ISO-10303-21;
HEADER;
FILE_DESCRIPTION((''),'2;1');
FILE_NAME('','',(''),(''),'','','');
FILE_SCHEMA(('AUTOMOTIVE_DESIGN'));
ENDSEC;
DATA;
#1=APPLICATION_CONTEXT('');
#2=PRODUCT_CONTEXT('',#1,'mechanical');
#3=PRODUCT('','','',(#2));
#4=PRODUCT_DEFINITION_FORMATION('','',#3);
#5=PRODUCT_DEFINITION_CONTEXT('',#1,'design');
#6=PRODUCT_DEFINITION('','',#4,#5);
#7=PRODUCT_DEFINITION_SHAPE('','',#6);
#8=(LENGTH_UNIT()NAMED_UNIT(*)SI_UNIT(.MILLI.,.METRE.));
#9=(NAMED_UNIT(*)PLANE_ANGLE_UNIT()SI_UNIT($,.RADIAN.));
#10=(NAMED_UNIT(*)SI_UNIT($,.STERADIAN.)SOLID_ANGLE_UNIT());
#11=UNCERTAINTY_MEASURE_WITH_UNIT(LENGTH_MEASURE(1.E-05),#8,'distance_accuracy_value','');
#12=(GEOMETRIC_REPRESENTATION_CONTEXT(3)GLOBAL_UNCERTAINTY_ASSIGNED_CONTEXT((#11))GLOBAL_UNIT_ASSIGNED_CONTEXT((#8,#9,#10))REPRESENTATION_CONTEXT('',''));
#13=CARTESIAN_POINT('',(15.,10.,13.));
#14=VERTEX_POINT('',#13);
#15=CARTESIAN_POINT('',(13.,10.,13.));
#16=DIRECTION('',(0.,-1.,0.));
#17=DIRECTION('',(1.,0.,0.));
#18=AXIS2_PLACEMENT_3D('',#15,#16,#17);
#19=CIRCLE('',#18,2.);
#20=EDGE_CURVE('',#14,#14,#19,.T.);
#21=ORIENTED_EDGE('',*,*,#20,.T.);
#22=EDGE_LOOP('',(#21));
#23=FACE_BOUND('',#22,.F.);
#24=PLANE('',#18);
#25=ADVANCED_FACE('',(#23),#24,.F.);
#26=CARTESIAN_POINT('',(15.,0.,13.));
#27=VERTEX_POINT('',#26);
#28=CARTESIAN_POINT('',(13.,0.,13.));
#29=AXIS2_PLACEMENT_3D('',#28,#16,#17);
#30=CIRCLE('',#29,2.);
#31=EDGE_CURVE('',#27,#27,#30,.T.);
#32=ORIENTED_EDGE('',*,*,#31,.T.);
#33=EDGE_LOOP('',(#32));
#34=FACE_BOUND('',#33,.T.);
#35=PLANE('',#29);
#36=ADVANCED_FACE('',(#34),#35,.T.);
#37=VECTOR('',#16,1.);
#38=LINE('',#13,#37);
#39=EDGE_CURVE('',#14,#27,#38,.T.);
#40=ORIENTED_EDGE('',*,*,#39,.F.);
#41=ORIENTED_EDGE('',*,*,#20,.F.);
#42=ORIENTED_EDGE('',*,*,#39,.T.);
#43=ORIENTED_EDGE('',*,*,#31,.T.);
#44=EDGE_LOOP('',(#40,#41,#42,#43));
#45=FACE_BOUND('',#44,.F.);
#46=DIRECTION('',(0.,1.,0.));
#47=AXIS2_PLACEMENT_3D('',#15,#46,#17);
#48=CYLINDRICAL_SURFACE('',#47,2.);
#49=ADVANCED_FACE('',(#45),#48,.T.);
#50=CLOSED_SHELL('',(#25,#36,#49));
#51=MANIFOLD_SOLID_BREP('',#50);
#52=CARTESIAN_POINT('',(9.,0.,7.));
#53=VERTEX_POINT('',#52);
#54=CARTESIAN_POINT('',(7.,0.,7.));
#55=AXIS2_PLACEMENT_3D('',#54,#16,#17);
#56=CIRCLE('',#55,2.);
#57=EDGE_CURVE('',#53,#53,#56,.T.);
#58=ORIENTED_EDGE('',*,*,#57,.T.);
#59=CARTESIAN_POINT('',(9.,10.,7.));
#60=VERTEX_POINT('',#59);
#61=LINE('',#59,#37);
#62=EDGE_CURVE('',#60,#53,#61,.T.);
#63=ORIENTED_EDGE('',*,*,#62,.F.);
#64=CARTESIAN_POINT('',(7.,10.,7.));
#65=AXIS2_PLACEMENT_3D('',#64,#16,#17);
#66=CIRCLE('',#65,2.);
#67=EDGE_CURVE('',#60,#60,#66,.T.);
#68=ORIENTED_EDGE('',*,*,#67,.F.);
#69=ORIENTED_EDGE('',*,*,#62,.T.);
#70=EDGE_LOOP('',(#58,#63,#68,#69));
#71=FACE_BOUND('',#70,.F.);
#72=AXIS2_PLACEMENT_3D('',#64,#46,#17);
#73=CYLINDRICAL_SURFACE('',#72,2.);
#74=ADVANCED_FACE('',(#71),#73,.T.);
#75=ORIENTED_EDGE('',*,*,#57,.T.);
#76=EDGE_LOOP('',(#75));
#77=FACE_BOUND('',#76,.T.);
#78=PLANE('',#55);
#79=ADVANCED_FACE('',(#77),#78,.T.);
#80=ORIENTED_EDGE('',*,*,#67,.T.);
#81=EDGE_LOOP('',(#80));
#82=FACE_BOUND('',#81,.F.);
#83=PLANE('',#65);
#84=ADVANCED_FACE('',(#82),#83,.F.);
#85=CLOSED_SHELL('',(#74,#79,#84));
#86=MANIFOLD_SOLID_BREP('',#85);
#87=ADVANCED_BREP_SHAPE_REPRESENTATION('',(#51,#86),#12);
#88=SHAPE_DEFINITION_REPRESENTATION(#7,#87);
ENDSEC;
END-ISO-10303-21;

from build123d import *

# Parameters (mm, degrees)
CYLINDER004_R     = 2
CYLINDER004_DEPTH = 10
CYLINDER003_R     = 2
CYLINDER003_DEPTH = 10


with BuildPart() as cilindre004:
    # Cylinder004 → Cylinder004 (new body)
    with BuildSketch(Plane(origin=(7, 10, 7), x_dir=(1, 0, 0), z_dir=(0, -1, 0))):
        Circle(CYLINDER004_R)
    extrude(amount=CYLINDER004_DEPTH)


with BuildPart() as fusion:
    # Cylinder003 → Cylinder003 (new body)
    with BuildSketch(Plane(origin=(13, 10, 13), x_dir=(1, 0, 0), z_dir=(0, -1, 0))):
        Circle(CYLINDER003_R)
    extrude(amount=CYLINDER003_DEPTH)

    # Fusion: union Cilindre004
    add(cilindre004.part)


solid = fusion.part
